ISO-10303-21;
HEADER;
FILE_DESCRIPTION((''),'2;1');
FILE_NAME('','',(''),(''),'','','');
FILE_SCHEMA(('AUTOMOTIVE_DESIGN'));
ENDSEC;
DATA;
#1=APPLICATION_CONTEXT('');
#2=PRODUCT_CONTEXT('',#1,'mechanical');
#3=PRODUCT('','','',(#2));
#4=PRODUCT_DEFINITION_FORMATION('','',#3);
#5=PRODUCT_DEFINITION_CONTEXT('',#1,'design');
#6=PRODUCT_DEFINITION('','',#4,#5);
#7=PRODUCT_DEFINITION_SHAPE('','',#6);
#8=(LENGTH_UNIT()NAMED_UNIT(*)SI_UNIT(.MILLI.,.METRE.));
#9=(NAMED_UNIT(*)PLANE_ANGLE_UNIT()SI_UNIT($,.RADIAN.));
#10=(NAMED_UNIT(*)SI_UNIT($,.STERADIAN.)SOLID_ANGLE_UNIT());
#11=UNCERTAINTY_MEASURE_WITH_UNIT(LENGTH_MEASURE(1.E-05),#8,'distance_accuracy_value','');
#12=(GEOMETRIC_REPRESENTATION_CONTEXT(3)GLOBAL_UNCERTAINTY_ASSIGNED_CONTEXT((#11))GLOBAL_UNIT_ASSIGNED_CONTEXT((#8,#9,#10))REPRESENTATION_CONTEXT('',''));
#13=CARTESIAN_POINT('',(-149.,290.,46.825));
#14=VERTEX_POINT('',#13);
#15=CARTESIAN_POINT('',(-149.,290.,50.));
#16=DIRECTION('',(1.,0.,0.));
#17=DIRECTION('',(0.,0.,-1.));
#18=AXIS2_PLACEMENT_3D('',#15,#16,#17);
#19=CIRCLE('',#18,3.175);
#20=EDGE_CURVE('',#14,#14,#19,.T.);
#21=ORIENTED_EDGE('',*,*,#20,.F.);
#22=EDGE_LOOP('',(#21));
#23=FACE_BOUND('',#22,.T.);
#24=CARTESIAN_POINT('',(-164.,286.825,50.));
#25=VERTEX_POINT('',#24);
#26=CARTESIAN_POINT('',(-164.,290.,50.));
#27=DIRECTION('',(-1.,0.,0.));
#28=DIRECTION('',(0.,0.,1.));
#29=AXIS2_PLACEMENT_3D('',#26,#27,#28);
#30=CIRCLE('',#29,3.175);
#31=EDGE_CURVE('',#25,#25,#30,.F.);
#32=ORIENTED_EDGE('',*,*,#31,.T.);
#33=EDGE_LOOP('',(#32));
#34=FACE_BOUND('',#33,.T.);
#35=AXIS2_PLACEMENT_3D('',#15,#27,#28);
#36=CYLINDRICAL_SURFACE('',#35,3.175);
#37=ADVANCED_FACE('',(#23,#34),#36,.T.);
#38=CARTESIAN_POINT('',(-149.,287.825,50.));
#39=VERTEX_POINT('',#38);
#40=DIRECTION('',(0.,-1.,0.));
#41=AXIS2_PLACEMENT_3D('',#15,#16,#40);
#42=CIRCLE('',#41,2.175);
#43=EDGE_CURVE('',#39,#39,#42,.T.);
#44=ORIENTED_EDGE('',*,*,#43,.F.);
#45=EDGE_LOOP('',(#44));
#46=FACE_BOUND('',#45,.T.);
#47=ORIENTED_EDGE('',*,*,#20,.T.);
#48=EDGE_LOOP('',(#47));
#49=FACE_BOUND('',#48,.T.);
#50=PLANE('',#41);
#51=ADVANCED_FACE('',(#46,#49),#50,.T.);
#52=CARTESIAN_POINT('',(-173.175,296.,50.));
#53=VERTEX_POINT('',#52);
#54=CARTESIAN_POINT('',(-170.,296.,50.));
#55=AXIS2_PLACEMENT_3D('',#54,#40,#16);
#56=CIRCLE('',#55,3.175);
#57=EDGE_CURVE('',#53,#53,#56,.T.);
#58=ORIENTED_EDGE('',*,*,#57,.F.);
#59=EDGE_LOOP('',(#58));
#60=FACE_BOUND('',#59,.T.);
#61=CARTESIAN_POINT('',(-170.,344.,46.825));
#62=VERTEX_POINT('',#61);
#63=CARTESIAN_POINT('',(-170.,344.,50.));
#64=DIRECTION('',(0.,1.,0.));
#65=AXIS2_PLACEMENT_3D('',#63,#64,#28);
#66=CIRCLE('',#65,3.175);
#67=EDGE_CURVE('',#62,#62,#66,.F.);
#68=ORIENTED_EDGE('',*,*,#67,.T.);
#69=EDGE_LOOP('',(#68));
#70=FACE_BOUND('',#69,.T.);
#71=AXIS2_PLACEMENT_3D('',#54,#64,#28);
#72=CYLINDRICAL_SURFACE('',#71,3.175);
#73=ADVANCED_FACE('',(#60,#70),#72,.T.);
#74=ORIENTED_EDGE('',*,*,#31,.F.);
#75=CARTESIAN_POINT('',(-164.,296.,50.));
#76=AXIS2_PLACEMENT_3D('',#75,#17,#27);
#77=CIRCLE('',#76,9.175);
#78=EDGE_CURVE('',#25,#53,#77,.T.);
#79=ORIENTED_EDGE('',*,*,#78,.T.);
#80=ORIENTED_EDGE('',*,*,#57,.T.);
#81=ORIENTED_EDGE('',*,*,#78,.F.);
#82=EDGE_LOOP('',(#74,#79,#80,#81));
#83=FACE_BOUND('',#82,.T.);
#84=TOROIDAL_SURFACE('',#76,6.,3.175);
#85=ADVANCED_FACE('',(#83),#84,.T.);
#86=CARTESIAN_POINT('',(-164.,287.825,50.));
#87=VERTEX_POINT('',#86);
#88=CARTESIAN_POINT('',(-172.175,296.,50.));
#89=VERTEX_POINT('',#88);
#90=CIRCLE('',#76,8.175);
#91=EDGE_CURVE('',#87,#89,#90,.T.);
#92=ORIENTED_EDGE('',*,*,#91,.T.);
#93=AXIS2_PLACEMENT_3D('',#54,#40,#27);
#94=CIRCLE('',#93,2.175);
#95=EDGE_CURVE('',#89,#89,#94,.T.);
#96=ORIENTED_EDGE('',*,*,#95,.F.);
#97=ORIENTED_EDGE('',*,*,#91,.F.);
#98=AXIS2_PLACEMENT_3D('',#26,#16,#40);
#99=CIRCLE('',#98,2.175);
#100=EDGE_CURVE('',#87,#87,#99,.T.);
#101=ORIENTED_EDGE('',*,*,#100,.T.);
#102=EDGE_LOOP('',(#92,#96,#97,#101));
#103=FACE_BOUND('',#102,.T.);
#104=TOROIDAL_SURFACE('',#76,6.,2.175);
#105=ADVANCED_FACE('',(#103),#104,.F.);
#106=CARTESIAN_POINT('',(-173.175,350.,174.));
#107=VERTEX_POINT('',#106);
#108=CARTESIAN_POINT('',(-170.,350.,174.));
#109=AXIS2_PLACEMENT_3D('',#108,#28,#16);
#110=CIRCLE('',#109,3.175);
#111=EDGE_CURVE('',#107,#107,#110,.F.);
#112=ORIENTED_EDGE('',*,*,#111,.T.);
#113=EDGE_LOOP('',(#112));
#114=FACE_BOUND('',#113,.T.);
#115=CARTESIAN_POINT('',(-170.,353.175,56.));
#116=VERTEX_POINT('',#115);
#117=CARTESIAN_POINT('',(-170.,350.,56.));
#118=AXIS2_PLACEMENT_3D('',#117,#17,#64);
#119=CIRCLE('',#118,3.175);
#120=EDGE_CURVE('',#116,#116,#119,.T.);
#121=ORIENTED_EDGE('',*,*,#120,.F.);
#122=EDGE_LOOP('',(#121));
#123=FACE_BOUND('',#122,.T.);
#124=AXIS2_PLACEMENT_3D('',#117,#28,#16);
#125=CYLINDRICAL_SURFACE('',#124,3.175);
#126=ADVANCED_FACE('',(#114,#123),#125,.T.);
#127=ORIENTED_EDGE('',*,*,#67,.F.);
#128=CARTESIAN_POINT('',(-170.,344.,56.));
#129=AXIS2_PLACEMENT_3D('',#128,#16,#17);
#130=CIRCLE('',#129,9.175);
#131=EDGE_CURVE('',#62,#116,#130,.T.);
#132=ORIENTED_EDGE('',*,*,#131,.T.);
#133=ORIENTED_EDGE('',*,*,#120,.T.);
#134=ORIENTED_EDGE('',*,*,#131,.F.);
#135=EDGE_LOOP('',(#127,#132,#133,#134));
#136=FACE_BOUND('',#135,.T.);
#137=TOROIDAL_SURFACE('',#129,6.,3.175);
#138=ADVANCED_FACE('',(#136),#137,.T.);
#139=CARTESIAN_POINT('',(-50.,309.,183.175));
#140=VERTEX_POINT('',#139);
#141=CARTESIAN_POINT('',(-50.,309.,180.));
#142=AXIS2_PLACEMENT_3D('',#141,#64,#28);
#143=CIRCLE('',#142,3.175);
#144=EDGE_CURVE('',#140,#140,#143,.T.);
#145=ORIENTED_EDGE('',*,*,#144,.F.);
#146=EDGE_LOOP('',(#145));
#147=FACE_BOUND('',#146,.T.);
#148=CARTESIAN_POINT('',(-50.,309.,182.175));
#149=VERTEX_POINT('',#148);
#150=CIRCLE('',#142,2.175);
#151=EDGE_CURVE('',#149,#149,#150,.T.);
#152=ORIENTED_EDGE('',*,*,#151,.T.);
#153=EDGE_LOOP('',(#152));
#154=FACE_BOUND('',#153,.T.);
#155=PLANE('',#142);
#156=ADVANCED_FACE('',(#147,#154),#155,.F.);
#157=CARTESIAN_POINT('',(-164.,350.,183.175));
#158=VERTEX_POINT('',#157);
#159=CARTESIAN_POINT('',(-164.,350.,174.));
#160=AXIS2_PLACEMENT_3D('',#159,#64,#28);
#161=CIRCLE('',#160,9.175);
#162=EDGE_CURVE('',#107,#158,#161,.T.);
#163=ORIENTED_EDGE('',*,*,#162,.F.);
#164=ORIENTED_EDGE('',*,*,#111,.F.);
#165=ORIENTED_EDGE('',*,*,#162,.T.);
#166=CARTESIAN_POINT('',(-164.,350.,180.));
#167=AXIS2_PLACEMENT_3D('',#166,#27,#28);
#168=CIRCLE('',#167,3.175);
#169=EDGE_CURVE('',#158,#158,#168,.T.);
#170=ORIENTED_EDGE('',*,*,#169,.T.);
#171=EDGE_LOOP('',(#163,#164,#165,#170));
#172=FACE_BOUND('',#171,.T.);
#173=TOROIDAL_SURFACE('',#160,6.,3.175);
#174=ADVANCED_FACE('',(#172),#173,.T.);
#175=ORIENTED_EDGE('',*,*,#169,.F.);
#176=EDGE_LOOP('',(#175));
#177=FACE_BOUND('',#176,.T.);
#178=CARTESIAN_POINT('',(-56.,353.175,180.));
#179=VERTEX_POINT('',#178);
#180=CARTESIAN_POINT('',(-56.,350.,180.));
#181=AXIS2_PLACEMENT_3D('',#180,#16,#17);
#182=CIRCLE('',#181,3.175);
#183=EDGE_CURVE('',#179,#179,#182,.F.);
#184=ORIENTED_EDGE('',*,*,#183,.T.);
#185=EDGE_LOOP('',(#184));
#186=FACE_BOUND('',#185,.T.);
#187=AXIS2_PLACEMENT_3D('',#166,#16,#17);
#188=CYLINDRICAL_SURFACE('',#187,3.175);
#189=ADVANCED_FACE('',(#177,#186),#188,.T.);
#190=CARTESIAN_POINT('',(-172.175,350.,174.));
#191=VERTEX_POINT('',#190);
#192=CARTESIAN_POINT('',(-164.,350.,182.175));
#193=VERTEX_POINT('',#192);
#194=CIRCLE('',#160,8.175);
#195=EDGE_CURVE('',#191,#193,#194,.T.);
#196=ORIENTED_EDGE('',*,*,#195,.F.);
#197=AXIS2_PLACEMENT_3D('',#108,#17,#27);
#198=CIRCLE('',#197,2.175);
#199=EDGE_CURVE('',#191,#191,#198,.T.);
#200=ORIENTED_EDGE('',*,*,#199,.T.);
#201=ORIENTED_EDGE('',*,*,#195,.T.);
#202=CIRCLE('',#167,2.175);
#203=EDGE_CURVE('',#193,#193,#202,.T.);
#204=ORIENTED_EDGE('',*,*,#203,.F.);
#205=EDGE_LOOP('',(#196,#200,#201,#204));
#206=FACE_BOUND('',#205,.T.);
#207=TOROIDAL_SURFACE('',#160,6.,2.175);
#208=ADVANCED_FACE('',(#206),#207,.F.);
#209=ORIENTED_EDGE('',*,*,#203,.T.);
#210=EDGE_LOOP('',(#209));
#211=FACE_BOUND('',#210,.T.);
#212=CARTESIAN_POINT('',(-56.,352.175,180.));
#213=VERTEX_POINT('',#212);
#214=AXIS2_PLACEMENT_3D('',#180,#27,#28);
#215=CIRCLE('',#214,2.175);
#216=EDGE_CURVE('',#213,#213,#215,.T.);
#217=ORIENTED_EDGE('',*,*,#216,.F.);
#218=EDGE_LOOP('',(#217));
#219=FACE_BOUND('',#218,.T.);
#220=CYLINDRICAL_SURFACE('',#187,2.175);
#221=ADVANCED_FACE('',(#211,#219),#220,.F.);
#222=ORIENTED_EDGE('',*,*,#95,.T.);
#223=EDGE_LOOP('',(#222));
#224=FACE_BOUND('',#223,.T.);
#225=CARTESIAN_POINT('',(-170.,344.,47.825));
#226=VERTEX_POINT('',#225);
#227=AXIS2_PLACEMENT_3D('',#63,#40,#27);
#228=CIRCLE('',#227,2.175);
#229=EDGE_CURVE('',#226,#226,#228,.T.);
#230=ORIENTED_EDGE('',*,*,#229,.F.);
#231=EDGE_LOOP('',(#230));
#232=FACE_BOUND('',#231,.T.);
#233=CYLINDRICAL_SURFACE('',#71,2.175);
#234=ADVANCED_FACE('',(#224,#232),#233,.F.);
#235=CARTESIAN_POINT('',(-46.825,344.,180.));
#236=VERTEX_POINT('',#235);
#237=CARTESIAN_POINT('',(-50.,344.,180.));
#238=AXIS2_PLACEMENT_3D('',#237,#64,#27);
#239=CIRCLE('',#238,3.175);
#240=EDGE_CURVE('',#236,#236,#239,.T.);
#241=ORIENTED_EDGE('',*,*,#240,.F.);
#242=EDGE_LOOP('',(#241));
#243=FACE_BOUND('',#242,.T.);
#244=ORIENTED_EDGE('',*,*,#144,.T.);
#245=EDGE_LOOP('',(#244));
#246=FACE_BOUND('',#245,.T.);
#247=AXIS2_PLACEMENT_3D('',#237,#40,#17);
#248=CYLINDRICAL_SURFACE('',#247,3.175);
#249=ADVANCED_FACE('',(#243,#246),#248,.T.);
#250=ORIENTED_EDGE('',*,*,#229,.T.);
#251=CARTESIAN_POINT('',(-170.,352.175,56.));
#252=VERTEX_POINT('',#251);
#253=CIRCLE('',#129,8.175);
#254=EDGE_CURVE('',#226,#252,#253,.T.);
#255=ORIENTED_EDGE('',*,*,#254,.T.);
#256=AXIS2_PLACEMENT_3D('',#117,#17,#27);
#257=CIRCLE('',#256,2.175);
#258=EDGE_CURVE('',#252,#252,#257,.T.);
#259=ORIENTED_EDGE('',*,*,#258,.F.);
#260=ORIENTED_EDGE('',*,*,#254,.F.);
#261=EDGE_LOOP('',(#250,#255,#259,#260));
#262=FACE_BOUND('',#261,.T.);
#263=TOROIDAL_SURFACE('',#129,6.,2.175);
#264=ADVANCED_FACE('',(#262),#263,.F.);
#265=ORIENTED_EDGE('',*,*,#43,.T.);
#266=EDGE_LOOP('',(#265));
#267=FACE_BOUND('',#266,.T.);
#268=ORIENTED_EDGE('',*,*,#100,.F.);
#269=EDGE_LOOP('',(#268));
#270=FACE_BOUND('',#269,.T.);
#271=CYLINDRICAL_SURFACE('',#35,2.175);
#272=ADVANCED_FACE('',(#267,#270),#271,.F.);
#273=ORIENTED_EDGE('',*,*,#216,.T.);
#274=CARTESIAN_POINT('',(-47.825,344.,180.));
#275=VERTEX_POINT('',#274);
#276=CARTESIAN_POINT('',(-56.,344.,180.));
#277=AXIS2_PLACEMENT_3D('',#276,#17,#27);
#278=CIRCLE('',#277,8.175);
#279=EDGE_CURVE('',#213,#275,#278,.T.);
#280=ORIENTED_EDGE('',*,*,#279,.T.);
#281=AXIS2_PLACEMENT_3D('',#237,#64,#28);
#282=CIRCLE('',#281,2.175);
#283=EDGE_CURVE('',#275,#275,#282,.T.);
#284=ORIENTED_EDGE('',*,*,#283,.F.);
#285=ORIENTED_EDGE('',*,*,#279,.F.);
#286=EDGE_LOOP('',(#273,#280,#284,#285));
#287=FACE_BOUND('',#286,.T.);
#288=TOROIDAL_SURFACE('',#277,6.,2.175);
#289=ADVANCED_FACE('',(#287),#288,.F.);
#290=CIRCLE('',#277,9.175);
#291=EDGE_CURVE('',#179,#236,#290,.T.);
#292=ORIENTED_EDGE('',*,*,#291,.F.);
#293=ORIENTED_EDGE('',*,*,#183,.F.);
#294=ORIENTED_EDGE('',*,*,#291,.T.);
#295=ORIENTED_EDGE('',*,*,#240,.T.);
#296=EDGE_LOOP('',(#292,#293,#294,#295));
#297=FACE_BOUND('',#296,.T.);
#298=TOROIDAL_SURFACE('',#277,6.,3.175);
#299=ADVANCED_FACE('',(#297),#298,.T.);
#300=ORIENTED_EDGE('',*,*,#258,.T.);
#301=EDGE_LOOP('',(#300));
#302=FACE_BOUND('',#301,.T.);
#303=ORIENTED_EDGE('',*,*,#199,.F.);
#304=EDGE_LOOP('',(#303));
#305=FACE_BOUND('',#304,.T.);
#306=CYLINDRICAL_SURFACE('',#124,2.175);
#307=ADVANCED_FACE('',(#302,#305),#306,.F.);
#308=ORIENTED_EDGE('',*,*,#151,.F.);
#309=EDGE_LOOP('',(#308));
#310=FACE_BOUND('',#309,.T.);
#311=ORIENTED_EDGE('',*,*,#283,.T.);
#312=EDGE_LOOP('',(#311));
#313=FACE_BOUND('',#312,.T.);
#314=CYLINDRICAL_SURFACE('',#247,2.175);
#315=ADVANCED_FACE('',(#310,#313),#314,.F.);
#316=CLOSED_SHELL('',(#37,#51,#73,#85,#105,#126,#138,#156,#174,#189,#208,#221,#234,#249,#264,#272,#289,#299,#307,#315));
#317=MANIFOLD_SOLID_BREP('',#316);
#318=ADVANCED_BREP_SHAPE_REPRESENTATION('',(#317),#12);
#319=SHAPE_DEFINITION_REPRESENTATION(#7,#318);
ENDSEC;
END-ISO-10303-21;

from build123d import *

# Parameters (mm, degrees)
TUBE_PROFILE_R   = 3.175
TUBE_PROFILE_R_2 = 2.175


with BuildPart() as part:
    # Tube: sweep along a curve in space
    with BuildLine() as tube_path:
        Line((-149, 290, 50), (-164, 290, 50))
        ThreePointArc((-170, 296, 50), (-168.242640687, 291.757359313, 50), (-164, 290, 50))
        Line((-170, 296, 50), (-170, 344, 50))
        ThreePointArc((-170, 350, 56), (-170, 348.242640687, 51.757359313), (-170, 344, 50))
        Line((-170, 350, 56), (-170, 350, 174))
        ThreePointArc((-164, 350, 180), (-168.242640687, 350, 178.242640687), (-170, 350, 174))
        Line((-164, 350, 180), (-56, 350, 180))
        ThreePointArc((-50, 344, 180), (-51.757359313, 348.242640687, 180), (-56, 350, 180))
        Line((-50, 344, 180), (-50, 309, 180))
    # Tube profile (on start of the path) → Tube (sweep)
    with BuildSketch(Plane(origin=(-149, 290, 50), x_dir=(0, 0, -1), z_dir=(-1, 0, 0))):
        Circle(TUBE_PROFILE_R)
        Circle(TUBE_PROFILE_R_2, mode=Mode.SUBTRACT)
    sweep(path=tube_path.line)


solid = part.part
